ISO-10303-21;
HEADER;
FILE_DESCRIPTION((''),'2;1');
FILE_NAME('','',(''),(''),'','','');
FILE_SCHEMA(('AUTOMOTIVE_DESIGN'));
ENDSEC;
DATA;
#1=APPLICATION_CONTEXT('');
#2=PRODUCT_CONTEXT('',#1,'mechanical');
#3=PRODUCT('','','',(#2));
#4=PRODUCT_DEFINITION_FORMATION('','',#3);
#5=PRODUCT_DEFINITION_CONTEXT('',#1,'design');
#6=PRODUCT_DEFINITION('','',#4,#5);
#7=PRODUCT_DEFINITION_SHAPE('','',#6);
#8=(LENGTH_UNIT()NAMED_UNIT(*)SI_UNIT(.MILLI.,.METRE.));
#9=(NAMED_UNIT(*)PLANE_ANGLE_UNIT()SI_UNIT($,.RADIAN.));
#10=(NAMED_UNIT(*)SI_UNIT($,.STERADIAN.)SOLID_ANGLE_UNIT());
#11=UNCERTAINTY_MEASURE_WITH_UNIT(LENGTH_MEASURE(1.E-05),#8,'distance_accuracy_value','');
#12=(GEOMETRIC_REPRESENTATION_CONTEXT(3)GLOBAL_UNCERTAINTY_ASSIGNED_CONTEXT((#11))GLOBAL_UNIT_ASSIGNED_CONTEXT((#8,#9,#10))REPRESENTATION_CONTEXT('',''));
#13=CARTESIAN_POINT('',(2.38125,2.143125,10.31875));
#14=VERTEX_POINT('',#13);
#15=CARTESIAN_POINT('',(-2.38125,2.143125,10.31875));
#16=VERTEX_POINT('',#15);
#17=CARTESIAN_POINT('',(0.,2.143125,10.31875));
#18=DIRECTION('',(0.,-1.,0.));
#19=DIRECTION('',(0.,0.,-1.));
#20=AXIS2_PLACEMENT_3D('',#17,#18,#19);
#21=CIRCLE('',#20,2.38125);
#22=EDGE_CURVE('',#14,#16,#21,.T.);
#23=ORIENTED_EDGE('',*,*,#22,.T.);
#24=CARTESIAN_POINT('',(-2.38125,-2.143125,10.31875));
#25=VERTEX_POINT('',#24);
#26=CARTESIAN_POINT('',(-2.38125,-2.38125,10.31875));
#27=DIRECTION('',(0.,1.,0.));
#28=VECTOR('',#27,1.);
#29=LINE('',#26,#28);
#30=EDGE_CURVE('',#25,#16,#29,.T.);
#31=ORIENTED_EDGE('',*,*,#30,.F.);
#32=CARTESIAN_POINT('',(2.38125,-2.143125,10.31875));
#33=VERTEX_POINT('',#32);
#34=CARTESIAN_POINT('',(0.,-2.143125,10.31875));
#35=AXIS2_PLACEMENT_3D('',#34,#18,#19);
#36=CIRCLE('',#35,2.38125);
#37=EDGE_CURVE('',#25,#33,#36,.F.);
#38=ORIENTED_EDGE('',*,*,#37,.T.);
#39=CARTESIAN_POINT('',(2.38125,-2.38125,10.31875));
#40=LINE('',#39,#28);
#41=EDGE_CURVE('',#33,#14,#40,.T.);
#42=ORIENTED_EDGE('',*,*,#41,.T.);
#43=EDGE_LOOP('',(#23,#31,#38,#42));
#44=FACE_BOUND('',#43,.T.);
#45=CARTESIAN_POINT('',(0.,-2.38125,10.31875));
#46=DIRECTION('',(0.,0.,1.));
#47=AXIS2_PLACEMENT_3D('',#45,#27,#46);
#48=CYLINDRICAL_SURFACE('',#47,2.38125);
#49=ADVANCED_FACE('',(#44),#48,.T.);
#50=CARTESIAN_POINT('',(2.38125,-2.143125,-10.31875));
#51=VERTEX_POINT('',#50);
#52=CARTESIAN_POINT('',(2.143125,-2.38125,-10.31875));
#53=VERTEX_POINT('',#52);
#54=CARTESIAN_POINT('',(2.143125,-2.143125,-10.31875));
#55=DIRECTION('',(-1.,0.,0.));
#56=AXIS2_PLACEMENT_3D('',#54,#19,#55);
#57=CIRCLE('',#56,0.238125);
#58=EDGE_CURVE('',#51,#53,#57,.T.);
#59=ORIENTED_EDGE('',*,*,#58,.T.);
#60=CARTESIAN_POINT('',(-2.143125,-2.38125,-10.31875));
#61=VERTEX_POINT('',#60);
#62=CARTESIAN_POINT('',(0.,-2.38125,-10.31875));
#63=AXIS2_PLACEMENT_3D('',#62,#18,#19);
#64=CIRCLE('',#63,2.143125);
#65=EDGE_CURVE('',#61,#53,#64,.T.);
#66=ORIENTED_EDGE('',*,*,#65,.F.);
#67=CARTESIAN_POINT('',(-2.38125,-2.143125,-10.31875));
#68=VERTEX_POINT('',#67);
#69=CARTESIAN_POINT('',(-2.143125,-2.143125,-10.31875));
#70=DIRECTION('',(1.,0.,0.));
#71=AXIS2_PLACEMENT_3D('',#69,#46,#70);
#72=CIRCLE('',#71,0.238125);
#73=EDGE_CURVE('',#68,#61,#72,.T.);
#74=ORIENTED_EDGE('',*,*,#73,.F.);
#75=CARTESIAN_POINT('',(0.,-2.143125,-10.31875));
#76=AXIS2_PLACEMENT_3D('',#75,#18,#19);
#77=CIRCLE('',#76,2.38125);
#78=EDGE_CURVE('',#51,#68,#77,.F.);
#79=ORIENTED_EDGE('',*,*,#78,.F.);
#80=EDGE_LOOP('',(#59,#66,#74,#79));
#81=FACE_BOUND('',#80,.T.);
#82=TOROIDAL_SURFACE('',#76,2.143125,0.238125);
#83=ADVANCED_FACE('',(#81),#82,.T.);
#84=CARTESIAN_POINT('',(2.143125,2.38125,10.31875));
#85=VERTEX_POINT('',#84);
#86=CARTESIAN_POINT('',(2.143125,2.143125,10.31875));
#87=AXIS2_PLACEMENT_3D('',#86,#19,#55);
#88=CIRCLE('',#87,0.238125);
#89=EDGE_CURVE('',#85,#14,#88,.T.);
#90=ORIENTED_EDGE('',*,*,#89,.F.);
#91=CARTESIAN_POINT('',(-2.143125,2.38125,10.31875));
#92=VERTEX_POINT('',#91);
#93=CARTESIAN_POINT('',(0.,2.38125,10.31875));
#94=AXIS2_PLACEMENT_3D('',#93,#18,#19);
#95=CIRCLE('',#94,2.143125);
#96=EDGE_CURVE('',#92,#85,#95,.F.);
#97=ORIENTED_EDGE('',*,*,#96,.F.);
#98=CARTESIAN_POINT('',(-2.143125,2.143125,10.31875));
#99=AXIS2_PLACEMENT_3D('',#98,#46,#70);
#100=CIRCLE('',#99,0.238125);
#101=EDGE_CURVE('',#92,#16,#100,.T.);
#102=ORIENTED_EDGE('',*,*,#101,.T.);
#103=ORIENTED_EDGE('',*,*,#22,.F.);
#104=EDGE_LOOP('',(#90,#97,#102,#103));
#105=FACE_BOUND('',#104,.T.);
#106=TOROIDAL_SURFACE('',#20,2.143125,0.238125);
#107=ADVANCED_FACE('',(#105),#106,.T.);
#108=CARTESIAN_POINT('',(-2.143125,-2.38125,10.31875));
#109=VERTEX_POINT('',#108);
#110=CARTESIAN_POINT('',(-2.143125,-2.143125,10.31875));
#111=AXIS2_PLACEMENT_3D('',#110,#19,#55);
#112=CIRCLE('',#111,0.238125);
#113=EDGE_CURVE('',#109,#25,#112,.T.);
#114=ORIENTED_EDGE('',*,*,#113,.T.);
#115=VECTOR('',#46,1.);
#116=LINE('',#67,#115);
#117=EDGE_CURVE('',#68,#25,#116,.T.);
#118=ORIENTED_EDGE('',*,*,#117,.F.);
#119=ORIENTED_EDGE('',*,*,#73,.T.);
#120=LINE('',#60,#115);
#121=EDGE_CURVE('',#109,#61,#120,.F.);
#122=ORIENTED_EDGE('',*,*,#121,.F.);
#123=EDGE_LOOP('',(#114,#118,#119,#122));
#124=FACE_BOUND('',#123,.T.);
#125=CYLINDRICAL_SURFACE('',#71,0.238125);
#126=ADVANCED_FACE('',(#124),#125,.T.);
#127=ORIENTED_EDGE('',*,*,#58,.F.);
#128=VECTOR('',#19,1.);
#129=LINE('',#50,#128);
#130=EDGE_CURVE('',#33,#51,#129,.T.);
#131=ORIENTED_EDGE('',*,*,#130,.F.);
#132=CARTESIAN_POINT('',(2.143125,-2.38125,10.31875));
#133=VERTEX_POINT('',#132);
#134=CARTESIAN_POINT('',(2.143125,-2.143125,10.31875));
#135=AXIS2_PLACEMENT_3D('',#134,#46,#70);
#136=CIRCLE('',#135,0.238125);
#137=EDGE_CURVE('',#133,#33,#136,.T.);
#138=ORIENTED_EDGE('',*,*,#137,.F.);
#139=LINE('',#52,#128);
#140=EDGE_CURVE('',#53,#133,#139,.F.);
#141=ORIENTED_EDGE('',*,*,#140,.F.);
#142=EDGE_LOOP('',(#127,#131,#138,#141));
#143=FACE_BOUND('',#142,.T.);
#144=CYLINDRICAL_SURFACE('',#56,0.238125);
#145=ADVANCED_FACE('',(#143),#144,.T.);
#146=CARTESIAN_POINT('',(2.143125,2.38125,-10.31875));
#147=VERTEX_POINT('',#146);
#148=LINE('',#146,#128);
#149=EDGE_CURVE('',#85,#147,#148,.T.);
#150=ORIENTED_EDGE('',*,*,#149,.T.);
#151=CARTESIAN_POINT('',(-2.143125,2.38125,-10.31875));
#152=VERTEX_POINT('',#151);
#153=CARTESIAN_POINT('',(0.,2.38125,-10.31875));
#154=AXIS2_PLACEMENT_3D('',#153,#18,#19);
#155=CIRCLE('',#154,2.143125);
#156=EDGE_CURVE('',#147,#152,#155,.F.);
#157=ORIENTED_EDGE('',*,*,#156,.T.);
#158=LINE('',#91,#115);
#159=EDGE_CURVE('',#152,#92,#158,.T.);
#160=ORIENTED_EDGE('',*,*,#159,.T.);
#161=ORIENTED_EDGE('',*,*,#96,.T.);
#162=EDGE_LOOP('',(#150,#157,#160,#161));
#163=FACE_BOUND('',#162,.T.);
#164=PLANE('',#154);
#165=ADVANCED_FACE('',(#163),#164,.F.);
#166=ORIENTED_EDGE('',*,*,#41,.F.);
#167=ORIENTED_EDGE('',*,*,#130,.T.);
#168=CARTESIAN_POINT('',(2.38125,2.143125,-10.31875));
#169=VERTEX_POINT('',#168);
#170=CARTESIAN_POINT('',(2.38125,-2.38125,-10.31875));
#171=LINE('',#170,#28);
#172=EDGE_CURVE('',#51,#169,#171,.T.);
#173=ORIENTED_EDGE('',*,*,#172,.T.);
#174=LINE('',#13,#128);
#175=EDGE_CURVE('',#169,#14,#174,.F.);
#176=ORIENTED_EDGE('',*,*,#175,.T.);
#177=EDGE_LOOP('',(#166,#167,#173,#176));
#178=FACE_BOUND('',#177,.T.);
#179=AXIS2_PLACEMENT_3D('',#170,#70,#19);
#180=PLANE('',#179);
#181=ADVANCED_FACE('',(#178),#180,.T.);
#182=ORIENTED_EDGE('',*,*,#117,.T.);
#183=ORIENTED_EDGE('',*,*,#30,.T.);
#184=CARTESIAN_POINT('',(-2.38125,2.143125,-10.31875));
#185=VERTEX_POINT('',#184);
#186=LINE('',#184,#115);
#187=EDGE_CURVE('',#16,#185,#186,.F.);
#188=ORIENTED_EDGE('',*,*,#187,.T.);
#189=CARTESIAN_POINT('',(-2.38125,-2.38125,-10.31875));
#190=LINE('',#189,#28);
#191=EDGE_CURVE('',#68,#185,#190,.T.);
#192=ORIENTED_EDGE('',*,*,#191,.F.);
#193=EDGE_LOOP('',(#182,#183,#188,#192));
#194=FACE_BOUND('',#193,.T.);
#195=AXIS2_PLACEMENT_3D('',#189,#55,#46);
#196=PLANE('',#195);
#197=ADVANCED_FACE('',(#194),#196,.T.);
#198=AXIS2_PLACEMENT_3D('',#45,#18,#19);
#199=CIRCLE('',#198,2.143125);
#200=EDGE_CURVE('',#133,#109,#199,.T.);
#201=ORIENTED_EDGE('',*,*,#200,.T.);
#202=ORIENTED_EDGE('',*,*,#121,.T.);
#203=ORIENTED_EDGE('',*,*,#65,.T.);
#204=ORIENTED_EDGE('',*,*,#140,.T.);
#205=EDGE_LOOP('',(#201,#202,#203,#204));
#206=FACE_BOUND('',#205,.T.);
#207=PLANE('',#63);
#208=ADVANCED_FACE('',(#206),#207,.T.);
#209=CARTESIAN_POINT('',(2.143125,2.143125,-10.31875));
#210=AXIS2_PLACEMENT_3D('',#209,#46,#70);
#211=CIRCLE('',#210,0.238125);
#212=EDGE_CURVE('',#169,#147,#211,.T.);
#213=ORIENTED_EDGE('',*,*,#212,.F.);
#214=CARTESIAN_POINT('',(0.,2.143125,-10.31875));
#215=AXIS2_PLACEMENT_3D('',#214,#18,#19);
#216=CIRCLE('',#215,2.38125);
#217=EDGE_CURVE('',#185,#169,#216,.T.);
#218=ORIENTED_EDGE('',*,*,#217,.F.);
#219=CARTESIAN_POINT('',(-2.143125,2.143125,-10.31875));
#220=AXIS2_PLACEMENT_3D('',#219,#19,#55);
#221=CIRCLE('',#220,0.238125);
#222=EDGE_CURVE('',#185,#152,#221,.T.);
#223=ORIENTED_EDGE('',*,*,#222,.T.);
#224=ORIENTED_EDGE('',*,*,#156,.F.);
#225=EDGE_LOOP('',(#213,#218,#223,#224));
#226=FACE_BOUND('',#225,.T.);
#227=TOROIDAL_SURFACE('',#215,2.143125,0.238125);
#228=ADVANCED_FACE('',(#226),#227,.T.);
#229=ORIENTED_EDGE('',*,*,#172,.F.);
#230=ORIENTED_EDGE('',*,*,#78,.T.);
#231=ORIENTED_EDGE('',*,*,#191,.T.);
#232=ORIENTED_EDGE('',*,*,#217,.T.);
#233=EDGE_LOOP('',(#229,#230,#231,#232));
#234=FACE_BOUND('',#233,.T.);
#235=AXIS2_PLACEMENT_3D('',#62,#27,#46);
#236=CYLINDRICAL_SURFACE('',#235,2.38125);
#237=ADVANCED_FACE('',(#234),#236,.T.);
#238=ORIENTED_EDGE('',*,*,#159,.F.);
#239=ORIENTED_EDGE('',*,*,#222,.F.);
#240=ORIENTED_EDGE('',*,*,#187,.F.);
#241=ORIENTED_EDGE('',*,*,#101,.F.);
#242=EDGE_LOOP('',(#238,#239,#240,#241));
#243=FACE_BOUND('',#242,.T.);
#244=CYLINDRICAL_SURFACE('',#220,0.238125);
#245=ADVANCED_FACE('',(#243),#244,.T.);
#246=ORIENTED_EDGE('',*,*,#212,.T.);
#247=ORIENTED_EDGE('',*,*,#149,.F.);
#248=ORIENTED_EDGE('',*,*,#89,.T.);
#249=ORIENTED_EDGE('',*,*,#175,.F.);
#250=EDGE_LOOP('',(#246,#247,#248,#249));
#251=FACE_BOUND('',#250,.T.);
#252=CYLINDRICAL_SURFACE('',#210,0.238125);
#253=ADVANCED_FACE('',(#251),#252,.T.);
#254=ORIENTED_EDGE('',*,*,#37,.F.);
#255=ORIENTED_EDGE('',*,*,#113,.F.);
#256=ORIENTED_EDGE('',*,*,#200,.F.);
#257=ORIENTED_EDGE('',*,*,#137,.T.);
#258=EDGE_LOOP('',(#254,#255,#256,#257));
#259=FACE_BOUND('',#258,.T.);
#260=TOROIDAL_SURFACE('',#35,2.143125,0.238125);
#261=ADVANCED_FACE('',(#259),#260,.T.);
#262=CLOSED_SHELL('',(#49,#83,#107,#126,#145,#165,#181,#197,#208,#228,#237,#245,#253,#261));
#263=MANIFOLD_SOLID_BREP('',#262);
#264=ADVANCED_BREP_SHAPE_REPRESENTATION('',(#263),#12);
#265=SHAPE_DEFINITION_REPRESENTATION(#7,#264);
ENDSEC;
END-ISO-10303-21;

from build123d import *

# Parameters (mm, degrees)
BOSS_EXTRUDE1_START = 2.38125
BOSS_EXTRUDE1_DEPTH = 4.7625
FILLET1_R           = 0.238125


with BuildPart() as part:
    # Sketch4 → Boss-Extrude1 (new body)
    with BuildSketch(Plane(origin=(0, 0, 0), x_dir=(1, 0, 0), z_dir=(0, 1, 0)).offset(BOSS_EXTRUDE1_START)):
        with BuildLine():
            Line((-2.38125, 10.31875), (-2.38125, -10.31875))
            ThreePointArc((-2.38125, -10.31875), (0, -12.7), (2.38125, -10.31875))
            Line((2.38125, -10.31875), (2.38125, 10.31875))
            ThreePointArc((2.38125, 10.31875), (0, 12.7), (-2.38125, 10.31875))
        make_face()
    extrude(amount=-BOSS_EXTRUDE1_DEPTH)

    # Fillet1
    fillet1_edges = [part.edges().sort_by_distance(p)[0] for p in [
        (0, -2.38125, 12.7),
        (2.38125, -2.38125, 0),
        (0, -2.38125, -12.7),
        (2.38125, 2.38125, 0),
        (0, 2.38125, 12.7),
        (-2.38125, 2.38125, 0),
        (0, 2.38125, -12.7),
        (-2.38125, -2.38125, 0),
    ]]
    fillet(fillet1_edges, radius=FILLET1_R)


solid = part.part
